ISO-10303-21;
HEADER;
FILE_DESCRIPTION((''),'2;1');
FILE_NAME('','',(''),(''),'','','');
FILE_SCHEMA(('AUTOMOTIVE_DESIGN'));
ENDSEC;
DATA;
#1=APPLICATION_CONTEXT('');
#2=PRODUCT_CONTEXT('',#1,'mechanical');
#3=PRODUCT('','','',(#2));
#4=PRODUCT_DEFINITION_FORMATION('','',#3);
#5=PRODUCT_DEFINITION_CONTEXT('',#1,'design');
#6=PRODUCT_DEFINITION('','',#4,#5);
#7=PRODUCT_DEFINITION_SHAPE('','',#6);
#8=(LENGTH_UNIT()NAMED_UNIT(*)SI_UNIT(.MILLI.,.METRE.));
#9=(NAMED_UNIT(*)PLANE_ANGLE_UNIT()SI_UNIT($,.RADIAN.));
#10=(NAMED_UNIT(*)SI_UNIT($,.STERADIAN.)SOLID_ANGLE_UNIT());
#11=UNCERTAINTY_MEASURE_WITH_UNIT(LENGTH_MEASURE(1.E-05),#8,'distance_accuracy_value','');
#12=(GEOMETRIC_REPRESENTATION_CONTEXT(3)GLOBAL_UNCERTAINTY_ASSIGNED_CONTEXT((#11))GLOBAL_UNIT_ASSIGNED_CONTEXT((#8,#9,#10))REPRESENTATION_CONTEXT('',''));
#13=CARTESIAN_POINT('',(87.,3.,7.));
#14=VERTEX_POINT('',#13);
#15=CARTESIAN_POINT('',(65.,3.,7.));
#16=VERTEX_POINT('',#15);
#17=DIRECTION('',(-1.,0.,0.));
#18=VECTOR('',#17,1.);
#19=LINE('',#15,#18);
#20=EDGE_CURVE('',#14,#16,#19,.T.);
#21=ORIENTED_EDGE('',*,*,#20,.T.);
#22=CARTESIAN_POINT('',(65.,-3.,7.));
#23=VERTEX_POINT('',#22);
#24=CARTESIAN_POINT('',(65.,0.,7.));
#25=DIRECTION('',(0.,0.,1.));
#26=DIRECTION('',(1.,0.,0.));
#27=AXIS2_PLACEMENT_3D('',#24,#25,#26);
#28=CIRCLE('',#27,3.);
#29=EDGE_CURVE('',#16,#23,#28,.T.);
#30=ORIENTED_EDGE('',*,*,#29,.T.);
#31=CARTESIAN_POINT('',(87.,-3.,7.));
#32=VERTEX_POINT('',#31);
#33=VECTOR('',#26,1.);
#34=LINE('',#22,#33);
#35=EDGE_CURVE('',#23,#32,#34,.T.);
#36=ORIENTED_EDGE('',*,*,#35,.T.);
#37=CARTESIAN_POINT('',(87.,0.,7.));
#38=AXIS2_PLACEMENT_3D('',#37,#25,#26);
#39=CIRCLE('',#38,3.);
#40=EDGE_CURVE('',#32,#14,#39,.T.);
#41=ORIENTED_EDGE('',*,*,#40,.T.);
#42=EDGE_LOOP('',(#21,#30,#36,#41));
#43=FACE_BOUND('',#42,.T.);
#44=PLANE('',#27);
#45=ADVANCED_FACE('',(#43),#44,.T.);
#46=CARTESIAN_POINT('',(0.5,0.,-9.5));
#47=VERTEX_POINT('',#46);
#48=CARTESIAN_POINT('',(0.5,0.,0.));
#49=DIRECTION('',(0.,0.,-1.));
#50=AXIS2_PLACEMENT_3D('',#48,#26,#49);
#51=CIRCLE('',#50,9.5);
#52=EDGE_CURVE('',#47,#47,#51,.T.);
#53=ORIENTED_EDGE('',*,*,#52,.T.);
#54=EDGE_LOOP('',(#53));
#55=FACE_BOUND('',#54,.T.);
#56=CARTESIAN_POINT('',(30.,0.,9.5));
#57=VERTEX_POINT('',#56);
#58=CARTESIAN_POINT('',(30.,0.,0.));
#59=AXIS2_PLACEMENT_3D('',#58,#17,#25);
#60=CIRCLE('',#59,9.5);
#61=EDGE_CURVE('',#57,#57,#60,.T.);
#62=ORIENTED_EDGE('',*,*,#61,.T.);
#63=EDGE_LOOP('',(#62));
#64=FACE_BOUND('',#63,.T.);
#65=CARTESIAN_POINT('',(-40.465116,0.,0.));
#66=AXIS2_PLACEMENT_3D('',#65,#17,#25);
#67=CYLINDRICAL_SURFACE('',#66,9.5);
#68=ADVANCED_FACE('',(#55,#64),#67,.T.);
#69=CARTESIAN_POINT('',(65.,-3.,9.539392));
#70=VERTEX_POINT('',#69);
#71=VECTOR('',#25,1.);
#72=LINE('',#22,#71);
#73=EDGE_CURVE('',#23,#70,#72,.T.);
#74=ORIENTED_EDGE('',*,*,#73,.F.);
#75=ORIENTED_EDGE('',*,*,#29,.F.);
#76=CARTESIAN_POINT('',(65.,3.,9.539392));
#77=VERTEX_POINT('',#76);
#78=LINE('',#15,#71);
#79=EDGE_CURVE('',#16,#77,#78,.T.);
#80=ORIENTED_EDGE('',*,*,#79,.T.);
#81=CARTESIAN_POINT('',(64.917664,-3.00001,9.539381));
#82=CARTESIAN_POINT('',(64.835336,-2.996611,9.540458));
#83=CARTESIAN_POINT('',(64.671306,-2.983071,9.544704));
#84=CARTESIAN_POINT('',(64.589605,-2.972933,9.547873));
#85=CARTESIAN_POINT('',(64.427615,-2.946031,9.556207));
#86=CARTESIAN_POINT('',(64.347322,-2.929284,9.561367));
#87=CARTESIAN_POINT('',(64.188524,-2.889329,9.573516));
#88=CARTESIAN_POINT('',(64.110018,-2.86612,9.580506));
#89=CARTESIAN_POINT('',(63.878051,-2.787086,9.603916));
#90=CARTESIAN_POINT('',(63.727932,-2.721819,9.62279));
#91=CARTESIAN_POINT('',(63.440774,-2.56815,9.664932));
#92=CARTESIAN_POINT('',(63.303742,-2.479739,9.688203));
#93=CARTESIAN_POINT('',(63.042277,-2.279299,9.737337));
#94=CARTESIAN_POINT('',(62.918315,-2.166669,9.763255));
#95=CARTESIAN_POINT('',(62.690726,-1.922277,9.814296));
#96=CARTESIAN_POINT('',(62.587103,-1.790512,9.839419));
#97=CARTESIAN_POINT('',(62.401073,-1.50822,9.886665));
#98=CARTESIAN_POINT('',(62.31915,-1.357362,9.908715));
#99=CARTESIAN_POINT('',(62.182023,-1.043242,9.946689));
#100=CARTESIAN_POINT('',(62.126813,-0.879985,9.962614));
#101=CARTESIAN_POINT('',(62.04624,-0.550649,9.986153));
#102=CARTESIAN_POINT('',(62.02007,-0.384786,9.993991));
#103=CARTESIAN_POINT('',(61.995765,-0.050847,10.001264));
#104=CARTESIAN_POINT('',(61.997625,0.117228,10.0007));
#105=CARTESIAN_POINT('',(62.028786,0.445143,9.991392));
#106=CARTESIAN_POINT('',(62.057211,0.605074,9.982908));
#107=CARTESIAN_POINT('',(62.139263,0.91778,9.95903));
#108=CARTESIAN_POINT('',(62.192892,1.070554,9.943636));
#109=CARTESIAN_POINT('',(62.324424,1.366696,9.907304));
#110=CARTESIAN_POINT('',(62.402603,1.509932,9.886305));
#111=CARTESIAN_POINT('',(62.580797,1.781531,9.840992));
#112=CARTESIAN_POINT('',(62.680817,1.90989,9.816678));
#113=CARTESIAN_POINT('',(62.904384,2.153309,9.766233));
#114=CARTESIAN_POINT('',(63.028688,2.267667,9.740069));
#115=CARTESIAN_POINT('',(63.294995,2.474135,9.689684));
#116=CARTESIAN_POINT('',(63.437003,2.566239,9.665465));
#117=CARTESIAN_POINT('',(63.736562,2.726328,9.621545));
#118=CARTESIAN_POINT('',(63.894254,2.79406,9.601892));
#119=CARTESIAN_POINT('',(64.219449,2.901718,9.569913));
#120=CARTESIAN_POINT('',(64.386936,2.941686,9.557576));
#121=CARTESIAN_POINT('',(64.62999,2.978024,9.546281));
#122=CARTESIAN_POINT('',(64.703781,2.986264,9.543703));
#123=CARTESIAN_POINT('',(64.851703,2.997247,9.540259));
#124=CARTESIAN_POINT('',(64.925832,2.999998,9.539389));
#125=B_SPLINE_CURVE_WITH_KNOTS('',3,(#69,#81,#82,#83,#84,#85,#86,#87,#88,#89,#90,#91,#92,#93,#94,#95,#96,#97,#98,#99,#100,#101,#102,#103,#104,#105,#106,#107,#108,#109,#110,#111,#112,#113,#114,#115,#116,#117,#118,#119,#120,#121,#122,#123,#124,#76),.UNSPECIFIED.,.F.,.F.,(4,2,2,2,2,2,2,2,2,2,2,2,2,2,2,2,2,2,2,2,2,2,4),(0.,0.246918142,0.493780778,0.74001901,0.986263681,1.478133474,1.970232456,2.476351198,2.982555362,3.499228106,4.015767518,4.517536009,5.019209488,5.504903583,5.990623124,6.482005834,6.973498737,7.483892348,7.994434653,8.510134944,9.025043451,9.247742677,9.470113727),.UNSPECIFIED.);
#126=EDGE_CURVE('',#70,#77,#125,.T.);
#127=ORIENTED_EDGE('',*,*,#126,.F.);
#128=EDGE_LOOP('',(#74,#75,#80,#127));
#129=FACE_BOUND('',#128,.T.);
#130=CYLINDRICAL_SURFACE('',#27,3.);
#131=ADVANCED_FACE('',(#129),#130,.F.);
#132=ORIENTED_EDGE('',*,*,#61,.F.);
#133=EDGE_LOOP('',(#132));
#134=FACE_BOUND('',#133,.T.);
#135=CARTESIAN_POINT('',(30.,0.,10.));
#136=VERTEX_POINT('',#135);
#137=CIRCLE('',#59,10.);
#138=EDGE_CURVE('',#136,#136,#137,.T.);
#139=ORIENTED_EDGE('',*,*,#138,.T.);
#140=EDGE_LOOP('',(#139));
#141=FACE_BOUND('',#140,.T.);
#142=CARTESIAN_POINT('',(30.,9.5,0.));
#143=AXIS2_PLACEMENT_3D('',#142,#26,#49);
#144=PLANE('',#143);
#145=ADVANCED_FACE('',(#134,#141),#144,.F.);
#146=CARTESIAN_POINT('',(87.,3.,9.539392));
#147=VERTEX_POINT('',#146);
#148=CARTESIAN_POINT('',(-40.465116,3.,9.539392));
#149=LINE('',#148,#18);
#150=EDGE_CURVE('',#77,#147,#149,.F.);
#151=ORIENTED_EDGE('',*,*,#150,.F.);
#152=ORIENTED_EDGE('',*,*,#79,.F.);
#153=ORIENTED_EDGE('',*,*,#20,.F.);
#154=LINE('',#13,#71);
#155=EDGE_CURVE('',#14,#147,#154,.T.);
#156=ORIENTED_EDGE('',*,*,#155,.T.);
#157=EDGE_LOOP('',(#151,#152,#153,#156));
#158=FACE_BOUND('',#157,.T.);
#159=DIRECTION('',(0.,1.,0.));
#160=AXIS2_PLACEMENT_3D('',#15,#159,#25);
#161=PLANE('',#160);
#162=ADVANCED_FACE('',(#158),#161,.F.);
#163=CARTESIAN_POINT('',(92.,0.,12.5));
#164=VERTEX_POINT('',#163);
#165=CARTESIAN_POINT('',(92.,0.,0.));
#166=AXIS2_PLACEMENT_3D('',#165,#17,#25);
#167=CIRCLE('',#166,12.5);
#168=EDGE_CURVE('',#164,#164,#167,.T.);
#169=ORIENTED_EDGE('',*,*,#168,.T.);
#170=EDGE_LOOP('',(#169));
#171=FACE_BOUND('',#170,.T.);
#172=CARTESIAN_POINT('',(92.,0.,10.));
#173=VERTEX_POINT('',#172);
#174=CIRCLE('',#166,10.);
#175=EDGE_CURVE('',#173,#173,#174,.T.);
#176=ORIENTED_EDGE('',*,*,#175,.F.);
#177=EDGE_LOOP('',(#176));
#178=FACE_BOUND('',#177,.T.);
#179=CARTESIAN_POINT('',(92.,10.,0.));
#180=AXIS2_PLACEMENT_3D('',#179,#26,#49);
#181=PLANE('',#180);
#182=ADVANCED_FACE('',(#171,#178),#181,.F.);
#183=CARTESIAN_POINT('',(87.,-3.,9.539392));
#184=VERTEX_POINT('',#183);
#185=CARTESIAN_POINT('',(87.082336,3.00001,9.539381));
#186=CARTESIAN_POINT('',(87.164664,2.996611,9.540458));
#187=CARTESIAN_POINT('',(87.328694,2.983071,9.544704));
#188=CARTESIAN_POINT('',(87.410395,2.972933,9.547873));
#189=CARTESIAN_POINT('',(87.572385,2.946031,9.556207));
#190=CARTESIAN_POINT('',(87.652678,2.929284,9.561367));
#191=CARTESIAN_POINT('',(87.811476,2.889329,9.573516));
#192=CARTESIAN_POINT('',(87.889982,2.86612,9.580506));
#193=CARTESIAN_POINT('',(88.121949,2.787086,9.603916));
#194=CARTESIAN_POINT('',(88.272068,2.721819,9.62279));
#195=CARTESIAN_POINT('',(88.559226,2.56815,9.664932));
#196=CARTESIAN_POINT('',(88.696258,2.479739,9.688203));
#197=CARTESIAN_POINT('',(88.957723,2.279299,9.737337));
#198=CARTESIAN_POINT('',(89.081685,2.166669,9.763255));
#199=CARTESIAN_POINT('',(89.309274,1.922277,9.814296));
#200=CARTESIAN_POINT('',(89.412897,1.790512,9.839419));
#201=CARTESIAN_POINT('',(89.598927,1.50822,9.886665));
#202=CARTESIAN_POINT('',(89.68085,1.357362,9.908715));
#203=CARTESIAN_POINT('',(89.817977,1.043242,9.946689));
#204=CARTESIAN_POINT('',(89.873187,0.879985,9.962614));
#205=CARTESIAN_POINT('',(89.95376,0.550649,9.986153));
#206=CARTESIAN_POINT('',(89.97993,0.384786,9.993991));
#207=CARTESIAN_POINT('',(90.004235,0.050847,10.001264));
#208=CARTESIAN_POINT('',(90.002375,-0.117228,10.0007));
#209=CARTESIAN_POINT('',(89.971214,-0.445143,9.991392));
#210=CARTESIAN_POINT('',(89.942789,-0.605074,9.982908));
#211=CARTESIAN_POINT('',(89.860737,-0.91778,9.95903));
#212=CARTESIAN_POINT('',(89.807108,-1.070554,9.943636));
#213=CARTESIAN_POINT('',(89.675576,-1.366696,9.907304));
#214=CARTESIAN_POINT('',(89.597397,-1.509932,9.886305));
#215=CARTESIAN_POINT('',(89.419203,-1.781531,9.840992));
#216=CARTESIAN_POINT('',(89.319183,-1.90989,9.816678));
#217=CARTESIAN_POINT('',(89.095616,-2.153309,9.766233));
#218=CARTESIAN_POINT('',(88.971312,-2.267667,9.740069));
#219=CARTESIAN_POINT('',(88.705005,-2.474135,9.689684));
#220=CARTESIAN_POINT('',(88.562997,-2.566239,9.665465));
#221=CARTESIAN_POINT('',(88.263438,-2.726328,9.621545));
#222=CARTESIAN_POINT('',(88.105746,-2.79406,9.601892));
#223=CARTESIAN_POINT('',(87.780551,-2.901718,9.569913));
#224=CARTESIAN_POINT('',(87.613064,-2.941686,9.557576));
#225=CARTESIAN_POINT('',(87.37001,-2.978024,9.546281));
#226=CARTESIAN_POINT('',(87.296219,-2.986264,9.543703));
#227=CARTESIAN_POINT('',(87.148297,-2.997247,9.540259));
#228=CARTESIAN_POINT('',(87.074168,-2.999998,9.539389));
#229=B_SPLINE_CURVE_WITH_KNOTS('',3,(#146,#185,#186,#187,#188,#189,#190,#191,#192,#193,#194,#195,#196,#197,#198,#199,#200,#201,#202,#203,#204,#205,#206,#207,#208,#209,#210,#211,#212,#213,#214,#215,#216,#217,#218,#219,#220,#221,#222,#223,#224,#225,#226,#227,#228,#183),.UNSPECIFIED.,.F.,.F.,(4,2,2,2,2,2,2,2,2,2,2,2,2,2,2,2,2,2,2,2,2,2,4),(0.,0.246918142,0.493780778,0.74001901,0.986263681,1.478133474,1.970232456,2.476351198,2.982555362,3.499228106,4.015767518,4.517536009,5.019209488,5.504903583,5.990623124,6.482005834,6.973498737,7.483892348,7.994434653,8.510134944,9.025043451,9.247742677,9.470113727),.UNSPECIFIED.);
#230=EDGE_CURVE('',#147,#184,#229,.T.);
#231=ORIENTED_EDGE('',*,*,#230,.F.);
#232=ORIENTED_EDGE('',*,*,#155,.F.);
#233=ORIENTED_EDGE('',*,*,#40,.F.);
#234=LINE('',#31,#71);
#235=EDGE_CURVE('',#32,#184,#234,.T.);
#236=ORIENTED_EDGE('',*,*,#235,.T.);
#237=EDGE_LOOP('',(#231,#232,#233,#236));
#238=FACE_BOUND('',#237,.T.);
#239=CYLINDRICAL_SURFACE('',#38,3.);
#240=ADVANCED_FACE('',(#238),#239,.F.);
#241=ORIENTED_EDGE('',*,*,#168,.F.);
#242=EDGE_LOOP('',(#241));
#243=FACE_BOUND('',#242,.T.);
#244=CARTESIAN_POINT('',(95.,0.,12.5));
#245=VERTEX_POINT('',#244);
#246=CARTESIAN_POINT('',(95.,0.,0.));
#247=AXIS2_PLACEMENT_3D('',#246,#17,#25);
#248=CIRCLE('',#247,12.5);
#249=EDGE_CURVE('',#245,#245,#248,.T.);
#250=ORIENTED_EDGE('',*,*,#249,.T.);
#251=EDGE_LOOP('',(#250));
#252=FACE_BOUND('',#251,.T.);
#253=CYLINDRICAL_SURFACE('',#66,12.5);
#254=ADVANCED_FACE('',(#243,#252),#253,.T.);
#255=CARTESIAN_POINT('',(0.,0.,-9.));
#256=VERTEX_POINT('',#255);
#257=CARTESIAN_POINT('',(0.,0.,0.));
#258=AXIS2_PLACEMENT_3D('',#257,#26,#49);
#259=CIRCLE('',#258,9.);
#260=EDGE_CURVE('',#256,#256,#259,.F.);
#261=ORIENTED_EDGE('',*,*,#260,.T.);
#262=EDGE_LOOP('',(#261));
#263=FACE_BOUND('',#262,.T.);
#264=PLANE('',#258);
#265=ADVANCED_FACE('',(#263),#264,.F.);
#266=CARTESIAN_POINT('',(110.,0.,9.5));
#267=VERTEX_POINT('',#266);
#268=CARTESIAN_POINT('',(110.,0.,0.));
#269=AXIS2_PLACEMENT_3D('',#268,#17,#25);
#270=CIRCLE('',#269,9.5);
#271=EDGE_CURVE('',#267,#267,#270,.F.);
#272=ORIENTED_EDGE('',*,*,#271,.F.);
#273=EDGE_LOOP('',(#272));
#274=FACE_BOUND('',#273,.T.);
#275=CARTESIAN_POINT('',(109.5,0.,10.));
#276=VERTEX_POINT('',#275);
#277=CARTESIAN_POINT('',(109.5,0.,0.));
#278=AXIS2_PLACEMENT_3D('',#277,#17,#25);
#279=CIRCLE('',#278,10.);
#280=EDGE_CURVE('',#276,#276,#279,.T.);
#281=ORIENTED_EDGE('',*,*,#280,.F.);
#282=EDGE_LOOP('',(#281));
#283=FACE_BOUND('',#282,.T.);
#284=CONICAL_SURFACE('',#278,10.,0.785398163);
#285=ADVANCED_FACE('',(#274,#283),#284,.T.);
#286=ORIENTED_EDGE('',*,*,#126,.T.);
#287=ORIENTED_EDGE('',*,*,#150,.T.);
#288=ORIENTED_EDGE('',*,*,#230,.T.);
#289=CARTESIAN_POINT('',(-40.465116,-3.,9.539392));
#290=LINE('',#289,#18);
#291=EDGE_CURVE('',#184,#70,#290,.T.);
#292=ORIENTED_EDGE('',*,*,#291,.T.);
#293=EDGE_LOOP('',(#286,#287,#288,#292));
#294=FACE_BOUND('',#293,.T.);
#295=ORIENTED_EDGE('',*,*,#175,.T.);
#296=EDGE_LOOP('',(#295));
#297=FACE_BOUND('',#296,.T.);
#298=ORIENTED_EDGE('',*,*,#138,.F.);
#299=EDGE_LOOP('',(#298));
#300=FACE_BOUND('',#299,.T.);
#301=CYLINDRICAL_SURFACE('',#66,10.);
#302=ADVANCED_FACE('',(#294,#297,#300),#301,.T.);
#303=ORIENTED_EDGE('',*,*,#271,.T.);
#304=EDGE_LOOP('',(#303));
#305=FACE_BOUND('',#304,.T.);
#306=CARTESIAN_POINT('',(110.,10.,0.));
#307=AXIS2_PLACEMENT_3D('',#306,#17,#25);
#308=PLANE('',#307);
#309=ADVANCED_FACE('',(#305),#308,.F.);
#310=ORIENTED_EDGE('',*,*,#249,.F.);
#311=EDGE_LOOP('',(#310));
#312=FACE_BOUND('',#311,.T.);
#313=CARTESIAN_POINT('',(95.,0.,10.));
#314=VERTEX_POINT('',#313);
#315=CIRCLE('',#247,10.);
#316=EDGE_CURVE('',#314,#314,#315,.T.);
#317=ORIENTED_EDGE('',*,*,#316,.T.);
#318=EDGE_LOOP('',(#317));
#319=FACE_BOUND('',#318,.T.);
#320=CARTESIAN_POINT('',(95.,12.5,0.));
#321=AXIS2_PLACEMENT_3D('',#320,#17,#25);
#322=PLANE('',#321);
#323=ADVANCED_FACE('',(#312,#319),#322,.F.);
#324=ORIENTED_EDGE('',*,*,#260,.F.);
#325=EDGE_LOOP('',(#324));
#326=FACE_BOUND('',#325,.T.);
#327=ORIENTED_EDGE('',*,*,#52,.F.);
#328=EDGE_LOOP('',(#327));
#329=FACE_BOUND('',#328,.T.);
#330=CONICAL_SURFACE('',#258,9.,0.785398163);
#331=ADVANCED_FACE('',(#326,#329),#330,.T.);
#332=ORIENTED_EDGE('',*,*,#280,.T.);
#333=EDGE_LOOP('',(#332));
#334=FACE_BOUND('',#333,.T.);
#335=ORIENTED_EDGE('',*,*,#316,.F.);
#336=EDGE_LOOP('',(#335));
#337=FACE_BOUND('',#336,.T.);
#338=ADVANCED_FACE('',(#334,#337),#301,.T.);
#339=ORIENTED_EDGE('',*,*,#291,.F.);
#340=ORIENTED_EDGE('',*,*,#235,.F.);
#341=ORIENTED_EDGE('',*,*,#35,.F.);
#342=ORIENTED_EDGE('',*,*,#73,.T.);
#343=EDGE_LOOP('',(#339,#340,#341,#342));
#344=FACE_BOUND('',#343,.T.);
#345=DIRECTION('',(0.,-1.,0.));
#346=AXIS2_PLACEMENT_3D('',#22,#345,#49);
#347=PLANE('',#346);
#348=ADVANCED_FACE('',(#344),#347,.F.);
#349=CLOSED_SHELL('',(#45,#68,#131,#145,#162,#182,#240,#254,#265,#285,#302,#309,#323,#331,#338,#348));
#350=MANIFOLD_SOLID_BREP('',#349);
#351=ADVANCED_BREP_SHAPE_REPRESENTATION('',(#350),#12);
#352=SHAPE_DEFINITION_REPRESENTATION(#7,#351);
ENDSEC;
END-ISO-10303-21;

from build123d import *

# Parameters (mm, degrees)
CUT_EXTRUDE_1_DEPTH = 3
CHAMFER_1_SIZE      = 0.5
CHAMFER_2_SIZE      = 0.5


with BuildPart() as part:
    # 草图1 → 旋转1 (revolve)
    with BuildSketch(Plane.XY):
        Polygon((0, 0), (0, 9.5), (30, 9.5), (30, 10), (92, 10), (92, 12.5), (95, 12.5), (95, 10), (110, 10), (110, 0), align=None)
    revolve(axis=Axis((-40.465116279, 0, 0), (1, 0, 0)))

    # 草图3 → 切除-拉伸1 (cut)
    with BuildSketch(Plane.XY.offset(10)):
        with BuildLine():
            Line((65, 3), (87, 3))
            ThreePointArc((87, 3), (90, 0), (87, -3))
            Line((87, -3), (65, -3))
            ThreePointArc((65, -3), (62, 0), (65, 3))
        make_face()
    extrude(amount=-CUT_EXTRUDE_1_DEPTH, mode=Mode.SUBTRACT)

    # 倒角1
    chamfer_1_edges = [part.edges().sort_by_distance(p)[0] for p in [
        (0, -9.5, 0),
    ]]
    chamfer(chamfer_1_edges, length=CHAMFER_1_SIZE)

    # 倒角2
    chamfer_2_edges = [part.edges().sort_by_distance(p)[0] for p in [
        (110, -10, 0),
    ]]
    chamfer(chamfer_2_edges, length=CHAMFER_2_SIZE)


solid = part.part
